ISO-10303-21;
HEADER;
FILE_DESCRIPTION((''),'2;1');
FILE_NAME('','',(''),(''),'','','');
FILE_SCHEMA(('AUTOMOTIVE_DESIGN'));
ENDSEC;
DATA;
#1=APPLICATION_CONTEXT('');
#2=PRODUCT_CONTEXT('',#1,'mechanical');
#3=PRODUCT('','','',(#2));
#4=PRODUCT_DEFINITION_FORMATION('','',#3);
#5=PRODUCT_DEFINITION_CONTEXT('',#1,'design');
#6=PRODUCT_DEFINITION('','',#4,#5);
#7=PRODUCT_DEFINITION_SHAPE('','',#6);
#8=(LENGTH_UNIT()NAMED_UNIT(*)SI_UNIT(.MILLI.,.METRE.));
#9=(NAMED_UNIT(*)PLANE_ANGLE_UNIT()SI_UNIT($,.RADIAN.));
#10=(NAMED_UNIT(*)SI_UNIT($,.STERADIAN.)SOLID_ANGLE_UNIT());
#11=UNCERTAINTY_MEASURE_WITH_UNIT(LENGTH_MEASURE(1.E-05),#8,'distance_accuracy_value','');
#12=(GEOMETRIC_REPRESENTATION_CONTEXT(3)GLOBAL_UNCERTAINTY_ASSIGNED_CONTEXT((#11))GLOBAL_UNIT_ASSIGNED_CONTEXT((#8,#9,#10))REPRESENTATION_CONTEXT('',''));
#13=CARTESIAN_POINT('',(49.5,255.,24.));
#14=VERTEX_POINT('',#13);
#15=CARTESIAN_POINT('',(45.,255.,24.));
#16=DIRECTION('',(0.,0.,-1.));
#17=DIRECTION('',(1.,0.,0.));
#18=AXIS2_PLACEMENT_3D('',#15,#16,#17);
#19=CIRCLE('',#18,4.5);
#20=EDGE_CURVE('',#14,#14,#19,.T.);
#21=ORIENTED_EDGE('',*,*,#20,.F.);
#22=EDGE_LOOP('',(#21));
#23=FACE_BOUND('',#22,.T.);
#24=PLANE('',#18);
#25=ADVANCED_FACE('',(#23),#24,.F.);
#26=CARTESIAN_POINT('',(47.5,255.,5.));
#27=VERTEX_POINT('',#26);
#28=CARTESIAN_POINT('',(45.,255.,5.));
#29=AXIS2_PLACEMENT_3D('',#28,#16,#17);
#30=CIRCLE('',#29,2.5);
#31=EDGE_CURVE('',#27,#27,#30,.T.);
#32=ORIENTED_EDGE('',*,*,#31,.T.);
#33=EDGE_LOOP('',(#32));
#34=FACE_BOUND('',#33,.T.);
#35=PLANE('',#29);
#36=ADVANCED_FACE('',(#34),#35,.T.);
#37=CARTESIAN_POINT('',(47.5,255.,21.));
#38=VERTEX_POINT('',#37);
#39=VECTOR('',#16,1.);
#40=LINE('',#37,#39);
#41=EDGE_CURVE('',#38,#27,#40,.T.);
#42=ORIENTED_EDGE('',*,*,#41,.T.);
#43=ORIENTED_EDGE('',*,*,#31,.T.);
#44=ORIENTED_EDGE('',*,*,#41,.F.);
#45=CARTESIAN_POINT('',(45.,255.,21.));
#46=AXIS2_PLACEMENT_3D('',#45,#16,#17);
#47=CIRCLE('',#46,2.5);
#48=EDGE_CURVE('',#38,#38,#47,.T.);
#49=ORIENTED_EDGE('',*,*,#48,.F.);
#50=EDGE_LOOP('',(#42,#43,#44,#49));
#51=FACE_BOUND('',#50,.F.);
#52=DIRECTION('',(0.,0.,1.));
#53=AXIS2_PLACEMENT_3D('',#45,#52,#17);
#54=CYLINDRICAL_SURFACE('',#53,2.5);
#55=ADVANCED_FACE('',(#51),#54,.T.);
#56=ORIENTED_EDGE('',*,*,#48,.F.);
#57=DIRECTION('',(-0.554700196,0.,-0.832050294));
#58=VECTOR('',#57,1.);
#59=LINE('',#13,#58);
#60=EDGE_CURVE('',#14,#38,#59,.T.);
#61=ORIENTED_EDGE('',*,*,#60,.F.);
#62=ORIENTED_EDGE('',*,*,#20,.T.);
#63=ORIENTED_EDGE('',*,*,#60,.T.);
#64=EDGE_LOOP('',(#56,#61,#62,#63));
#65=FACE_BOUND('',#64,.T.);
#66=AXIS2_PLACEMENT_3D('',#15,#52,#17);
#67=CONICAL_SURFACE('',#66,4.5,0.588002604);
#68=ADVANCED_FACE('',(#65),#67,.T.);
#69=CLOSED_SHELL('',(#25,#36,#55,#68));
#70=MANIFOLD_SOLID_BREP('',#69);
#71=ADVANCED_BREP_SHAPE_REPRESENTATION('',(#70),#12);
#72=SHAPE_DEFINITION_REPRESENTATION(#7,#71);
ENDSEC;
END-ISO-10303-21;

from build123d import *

# Parameters (mm, degrees)
CYLINDER011_R                   = 2.5
CYLINDER011_DEPTH               = 16
FUSION001018017_PLACEMENT_ANGLE = 180
CLONE024_PLACEMENT_ANGLE        = 180


with BuildPart() as cone003:
    # Cone003 → Cone003 (revolve)
    with BuildSketch(Plane(origin=(0, 0, -3), x_dir=(1, 0, 0), z_dir=(0, -1, 0))):
        Polygon((0, 0), (4.5, 0), (2.5, 3), (0, 3), align=None)
    revolve(axis=Axis((0, 0, -3), (0, 0, 1)))


with BuildPart() as m5x16_senkkopf008:
    # Cylinder011 → Cylinder011 (new body)
    with BuildSketch(Plane.XY):
        Circle(CYLINDER011_R)
    extrude(amount=CYLINDER011_DEPTH)

    # Fusion001018017: union Cone003
    add(cone003.part)


with BuildPart() as m5x16_senkkopf008_1:
    # Fusion001018017 placement: moved
    add(m5x16_senkkopf008.part.moved(Location((45, 15, 21))).rotate(Axis((45, 15, 21), (0, 1, 0)), FUSION001018017_PLACEMENT_ANGLE))


with BuildPart() as m5x16_senkkopf008_2:
    # Clone024 placement: moved
    add(m5x16_senkkopf008_1.part.moved(Location((90, 270, 0))).rotate(Axis((90, 270, 0), (0, 0, 1)), CLONE024_PLACEMENT_ANGLE))


solid = m5x16_senkkopf008_2.part
